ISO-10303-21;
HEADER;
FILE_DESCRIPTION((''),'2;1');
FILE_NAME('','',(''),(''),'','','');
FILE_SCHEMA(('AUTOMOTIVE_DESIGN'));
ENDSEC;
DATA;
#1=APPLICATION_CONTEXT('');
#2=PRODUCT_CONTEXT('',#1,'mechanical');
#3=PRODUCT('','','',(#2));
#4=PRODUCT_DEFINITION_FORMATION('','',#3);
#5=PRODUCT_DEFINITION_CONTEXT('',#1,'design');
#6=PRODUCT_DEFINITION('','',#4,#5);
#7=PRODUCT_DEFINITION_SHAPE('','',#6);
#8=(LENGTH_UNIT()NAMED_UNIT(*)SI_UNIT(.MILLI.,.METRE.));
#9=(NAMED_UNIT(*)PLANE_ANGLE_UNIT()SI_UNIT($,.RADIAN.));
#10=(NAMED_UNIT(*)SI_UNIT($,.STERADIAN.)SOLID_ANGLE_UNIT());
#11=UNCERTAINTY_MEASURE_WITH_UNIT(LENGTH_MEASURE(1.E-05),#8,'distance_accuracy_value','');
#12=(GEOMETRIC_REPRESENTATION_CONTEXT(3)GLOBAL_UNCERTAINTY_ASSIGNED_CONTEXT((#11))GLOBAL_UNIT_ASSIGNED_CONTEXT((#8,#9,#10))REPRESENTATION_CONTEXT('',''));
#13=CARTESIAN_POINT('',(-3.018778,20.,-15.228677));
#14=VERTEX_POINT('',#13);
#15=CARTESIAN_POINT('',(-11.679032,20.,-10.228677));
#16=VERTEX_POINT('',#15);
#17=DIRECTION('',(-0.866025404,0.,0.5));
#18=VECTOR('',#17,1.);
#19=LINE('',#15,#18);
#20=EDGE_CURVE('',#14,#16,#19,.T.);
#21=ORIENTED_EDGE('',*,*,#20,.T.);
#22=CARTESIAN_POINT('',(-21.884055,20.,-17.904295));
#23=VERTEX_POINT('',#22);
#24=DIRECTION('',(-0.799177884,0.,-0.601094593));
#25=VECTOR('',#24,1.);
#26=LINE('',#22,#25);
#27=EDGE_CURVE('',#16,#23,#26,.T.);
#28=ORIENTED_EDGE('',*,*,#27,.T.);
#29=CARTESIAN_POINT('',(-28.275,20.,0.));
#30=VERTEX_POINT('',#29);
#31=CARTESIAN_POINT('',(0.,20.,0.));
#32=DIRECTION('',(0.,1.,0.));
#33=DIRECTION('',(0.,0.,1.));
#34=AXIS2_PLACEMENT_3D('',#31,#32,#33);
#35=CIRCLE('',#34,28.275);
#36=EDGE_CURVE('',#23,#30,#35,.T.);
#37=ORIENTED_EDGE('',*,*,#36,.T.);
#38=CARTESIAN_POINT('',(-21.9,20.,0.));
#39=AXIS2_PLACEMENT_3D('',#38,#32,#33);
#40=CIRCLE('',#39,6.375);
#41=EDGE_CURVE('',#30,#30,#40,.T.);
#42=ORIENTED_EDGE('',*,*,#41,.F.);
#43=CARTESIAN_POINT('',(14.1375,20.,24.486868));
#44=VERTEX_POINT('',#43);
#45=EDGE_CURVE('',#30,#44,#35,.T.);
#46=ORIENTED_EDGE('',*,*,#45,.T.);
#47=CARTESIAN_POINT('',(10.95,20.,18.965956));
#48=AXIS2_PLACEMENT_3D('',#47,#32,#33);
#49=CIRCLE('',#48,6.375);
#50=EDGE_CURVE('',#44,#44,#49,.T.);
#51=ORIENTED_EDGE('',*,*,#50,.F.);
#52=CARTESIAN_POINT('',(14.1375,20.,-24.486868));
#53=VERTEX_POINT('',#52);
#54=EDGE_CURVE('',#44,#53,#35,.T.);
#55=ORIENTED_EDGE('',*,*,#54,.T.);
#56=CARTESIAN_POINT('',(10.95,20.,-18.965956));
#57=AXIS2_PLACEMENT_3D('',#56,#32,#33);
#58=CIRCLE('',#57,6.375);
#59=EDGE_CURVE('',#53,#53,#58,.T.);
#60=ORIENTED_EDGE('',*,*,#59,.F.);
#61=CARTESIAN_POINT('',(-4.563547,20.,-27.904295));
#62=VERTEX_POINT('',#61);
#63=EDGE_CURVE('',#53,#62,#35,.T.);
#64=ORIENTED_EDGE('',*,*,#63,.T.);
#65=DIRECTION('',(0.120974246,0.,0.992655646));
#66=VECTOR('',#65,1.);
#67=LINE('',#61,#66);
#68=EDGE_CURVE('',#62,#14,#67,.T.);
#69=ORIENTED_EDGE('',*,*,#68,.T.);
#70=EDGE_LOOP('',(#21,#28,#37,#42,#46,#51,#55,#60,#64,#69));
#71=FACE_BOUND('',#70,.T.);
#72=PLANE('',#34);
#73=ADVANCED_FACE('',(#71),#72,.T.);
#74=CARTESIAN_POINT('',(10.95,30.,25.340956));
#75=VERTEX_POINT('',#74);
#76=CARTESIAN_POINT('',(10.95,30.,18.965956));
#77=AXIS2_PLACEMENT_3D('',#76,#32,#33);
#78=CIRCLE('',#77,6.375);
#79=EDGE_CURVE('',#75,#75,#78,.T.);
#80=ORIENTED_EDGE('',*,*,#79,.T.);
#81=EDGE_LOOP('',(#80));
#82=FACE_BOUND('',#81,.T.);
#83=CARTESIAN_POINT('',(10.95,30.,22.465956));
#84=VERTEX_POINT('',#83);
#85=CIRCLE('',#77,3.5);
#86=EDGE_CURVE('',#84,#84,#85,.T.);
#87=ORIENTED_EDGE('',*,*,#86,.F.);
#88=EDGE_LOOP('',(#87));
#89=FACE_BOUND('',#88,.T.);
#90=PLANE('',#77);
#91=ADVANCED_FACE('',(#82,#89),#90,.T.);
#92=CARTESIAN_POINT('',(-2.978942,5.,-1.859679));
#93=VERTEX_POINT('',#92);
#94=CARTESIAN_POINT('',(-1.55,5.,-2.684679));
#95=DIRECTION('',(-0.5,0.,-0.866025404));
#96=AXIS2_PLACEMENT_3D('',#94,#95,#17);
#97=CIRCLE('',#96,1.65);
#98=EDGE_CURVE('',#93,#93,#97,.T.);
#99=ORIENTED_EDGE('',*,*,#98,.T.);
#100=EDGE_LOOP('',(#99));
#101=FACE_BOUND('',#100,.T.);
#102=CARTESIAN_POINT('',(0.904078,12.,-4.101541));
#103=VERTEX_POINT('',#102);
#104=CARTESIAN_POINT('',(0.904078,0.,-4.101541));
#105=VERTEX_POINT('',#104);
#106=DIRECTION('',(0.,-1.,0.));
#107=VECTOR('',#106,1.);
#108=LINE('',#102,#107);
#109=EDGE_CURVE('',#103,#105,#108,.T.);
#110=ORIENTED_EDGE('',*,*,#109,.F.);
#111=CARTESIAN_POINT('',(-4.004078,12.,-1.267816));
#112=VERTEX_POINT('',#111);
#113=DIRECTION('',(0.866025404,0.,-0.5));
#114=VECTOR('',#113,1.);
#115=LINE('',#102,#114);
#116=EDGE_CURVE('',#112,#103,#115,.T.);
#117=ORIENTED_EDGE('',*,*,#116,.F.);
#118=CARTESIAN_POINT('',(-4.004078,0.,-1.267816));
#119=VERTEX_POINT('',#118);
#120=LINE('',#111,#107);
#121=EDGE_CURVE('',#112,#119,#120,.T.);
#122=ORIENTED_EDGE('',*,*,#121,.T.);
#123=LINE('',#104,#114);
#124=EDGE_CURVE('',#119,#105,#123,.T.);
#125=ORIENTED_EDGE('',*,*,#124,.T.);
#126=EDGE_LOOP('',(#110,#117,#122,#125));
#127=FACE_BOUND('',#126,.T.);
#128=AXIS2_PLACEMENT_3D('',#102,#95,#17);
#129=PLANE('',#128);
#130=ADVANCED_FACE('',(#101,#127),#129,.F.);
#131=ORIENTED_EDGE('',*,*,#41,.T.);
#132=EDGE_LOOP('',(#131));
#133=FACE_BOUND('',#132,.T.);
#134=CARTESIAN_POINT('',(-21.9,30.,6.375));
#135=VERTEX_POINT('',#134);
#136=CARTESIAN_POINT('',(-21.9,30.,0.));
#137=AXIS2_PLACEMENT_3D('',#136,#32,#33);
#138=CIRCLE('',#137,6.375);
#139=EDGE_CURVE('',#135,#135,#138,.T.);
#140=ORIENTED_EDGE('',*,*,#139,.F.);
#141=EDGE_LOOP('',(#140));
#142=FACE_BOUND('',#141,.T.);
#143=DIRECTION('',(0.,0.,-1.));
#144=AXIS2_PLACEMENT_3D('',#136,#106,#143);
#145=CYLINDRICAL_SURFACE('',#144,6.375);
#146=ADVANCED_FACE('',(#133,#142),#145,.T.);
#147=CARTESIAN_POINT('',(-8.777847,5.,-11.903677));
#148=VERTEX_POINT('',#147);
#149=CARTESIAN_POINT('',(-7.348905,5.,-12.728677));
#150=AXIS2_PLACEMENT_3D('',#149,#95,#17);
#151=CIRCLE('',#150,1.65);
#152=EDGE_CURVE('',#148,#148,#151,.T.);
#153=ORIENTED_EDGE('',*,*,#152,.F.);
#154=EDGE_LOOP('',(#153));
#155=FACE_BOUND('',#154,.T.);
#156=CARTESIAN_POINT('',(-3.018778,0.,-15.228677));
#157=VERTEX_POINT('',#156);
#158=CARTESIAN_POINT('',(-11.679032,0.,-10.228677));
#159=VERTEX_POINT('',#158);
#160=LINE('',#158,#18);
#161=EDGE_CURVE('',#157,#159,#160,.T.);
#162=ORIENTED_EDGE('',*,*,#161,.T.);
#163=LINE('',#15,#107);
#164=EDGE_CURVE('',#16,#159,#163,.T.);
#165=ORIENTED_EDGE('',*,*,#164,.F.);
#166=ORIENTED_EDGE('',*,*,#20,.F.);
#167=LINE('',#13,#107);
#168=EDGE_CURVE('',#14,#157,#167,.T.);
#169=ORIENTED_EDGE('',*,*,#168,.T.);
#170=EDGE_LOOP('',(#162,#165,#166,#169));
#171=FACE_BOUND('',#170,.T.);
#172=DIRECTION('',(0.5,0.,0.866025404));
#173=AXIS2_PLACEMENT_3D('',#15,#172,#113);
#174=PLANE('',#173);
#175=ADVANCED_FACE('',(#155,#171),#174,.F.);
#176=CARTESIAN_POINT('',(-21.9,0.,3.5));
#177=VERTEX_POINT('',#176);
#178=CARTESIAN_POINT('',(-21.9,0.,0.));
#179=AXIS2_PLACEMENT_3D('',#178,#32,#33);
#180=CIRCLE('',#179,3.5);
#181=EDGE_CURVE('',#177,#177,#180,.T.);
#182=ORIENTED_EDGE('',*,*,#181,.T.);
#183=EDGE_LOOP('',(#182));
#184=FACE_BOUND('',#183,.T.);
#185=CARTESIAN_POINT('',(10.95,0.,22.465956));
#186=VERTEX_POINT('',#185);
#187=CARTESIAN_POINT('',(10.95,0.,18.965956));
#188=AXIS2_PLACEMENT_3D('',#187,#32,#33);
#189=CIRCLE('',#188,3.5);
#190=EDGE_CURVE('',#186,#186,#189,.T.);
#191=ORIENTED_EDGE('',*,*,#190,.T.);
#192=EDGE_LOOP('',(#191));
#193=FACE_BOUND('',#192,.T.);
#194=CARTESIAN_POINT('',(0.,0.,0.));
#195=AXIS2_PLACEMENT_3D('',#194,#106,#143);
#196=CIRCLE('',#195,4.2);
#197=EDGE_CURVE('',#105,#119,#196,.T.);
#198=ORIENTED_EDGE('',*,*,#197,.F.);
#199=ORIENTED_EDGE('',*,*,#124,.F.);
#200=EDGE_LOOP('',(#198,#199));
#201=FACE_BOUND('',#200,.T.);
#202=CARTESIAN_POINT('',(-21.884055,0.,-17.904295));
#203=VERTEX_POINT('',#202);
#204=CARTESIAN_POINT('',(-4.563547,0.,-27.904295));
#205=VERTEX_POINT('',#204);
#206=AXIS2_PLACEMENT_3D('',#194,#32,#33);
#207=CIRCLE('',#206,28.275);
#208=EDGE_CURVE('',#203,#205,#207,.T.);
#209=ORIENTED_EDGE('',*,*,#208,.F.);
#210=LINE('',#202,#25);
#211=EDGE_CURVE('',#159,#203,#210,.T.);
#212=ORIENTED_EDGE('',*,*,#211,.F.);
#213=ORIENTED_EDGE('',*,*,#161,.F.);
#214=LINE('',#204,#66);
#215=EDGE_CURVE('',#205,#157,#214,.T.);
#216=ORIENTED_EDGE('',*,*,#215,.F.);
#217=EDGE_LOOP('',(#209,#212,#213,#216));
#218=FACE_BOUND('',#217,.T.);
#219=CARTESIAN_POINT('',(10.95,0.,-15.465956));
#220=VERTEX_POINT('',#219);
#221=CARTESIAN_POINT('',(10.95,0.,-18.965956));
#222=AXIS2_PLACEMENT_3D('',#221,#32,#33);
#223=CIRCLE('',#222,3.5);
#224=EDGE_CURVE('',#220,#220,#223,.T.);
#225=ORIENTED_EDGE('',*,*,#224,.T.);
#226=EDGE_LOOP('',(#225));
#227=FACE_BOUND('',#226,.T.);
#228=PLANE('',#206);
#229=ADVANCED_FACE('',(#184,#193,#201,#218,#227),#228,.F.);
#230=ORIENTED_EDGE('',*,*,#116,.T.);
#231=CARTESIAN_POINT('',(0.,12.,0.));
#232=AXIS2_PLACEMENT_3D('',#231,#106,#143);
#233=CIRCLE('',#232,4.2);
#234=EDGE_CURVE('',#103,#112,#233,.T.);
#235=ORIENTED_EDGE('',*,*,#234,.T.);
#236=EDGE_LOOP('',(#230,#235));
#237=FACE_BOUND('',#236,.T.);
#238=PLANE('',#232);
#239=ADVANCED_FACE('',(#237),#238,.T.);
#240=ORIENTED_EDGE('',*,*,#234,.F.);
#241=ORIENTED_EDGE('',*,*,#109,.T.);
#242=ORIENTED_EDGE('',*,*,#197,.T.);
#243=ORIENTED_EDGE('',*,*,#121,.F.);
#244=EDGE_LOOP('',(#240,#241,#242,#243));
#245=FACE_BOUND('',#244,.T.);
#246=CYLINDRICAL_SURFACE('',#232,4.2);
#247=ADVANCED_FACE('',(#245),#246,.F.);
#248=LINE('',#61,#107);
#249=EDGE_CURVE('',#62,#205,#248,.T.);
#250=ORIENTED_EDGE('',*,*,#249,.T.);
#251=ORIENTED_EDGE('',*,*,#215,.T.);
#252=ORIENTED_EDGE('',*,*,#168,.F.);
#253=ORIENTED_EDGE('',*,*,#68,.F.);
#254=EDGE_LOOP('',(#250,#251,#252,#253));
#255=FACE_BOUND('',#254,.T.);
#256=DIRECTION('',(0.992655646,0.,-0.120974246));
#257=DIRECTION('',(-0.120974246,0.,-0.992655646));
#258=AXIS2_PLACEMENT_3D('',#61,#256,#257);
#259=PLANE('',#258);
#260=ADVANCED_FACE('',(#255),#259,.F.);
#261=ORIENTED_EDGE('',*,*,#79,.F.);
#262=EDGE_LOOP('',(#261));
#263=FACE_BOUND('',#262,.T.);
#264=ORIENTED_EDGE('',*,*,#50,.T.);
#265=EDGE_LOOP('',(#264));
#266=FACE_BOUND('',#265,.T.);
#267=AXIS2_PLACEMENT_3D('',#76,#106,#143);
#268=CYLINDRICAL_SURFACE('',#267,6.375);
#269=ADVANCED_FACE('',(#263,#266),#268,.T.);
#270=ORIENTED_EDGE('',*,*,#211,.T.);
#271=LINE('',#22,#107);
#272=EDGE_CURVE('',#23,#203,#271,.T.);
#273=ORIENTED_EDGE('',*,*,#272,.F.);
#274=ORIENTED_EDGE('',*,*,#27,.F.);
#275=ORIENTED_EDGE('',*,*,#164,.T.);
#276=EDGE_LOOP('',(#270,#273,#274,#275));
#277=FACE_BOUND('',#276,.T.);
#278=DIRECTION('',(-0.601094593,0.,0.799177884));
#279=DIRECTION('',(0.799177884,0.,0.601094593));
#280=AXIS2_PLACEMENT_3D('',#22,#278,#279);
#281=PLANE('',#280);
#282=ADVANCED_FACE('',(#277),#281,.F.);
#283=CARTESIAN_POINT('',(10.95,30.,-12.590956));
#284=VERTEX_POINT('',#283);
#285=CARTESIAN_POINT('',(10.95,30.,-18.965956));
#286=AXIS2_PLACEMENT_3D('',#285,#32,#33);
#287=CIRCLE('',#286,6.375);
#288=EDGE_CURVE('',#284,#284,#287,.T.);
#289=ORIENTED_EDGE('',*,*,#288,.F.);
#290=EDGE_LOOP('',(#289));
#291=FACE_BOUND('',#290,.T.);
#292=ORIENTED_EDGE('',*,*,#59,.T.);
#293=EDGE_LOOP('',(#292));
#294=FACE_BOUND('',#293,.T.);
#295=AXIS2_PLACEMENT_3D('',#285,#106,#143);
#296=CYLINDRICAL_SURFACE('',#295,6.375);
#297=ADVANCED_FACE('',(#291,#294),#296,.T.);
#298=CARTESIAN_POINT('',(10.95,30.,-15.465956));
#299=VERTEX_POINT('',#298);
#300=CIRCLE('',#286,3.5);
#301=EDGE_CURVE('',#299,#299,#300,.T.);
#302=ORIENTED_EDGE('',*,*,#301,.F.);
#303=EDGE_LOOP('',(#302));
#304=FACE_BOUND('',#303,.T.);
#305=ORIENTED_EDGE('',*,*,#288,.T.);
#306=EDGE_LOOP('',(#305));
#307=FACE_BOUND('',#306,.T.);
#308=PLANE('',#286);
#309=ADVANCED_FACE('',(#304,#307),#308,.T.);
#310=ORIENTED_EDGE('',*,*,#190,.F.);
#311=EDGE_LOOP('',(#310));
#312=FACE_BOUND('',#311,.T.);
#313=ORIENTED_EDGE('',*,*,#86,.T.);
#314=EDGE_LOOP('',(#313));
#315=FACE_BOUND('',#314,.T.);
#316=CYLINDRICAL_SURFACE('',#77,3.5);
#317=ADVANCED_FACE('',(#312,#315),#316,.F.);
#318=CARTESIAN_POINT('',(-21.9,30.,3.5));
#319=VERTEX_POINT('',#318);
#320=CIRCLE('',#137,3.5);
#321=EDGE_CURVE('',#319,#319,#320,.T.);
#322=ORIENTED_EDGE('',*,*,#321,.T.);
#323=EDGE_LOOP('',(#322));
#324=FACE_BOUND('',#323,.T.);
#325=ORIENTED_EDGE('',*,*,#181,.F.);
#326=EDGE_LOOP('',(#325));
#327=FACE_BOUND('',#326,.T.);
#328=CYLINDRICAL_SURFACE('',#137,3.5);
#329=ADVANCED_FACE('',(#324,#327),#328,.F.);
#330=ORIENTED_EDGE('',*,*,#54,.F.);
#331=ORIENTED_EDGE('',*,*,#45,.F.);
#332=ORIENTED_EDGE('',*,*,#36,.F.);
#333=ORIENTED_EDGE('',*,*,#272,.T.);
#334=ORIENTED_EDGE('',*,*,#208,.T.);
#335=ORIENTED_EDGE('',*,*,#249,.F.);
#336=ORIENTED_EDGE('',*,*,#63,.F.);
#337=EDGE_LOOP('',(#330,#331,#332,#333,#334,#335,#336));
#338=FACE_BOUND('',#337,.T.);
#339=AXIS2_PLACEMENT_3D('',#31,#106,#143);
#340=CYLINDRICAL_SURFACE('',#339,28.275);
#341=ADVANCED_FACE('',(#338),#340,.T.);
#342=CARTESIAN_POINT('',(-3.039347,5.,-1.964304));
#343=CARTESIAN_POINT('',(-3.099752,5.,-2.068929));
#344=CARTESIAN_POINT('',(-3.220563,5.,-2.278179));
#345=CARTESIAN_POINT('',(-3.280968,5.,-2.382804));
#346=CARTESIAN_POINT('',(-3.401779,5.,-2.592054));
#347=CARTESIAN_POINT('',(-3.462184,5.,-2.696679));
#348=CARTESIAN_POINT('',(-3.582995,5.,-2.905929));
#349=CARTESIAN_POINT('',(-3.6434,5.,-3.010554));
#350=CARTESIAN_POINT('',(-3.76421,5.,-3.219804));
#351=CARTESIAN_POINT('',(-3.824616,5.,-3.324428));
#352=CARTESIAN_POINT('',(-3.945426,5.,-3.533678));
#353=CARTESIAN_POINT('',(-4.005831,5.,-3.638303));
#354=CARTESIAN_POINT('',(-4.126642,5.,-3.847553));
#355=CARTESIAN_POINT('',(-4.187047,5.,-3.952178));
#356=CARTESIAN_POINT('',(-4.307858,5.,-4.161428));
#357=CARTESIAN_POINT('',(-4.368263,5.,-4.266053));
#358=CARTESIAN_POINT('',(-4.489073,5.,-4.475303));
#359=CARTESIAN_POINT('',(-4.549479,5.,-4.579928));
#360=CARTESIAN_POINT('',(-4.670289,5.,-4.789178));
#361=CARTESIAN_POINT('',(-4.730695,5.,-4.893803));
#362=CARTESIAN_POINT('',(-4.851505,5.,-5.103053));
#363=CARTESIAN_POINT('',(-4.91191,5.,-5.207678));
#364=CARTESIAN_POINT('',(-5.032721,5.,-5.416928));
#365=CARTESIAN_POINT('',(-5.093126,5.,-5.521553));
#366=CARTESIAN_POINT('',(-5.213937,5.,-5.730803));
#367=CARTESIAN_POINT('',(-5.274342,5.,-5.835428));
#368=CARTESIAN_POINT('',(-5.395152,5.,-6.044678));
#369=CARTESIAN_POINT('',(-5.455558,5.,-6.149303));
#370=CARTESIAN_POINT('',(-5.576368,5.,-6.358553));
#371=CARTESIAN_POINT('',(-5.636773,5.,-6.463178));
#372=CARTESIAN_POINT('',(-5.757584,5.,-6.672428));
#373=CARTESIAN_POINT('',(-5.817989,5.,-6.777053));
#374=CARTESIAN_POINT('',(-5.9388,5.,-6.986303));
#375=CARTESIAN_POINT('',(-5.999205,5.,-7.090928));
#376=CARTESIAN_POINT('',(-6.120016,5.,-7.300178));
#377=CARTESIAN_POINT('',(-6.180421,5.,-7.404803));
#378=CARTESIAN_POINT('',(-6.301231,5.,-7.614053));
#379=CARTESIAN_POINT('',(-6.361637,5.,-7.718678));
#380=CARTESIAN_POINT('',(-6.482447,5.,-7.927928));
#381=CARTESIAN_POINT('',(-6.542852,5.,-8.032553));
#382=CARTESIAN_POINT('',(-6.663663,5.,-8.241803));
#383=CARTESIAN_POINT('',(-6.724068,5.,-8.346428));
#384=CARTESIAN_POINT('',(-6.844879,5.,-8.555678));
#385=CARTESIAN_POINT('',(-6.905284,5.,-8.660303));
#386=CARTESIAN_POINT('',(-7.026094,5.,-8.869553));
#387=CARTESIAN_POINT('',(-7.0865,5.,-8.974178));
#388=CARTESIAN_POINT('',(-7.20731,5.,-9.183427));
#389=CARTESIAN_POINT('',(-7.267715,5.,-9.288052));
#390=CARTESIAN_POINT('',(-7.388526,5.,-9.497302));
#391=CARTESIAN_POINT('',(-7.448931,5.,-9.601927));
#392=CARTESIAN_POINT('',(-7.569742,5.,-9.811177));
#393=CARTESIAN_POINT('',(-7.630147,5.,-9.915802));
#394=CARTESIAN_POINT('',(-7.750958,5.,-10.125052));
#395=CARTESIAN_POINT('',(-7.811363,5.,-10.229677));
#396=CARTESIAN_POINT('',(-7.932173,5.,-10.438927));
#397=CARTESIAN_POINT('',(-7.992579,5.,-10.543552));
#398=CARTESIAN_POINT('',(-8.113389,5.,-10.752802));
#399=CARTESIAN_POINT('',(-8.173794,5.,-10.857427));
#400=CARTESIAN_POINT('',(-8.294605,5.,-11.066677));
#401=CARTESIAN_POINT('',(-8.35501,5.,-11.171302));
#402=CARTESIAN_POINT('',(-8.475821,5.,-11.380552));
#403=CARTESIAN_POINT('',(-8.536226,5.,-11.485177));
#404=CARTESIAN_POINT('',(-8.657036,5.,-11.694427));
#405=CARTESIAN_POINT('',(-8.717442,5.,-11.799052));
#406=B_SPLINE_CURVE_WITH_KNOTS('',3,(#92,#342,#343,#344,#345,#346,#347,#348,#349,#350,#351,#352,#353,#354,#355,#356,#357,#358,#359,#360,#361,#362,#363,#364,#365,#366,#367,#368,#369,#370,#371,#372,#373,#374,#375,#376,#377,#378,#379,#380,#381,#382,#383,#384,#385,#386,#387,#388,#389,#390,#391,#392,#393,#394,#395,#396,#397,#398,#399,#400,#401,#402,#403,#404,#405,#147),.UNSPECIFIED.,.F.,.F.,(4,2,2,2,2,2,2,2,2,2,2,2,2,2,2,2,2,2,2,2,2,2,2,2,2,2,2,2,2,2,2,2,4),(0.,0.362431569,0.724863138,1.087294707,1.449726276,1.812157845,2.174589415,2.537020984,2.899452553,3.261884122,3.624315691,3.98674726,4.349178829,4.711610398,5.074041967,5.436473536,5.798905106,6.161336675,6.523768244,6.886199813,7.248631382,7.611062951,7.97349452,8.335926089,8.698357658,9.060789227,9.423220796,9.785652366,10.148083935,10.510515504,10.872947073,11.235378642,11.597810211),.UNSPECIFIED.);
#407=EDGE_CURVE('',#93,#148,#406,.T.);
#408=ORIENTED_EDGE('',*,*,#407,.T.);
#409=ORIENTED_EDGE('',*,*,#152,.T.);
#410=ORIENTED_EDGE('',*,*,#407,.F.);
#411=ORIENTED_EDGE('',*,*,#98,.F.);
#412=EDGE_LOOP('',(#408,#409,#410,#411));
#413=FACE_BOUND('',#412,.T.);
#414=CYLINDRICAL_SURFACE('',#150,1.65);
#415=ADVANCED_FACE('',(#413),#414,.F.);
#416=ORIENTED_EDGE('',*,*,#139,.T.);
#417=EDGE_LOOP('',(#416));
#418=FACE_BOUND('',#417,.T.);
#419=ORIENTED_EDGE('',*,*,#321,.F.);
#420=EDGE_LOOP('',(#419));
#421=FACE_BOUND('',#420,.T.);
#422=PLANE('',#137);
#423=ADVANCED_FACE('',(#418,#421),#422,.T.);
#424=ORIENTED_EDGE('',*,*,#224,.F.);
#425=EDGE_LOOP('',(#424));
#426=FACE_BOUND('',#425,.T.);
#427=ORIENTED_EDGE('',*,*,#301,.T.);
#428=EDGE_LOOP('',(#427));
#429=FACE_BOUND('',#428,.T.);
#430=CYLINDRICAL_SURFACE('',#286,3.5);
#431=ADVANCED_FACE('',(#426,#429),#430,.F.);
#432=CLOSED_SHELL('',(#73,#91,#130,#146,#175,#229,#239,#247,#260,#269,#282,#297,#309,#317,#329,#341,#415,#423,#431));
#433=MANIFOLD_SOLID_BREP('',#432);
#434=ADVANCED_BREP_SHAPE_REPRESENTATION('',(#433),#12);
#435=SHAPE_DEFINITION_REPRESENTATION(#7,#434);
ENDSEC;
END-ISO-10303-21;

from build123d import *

# Parameters (mm, degrees)
BOSS_EXTRUDE1_DEPTH  = 20
SKETCH4_R            = 6.375
BOSS_EXTRUDE2_DEPTH  = 10
CUT_EXTRUDE1_DEPTH   = 12
D_GAGEMENT_M1_61_D   = 7
D_GAGEMENT_M21_D     = 3.3
D_GAGEMENT_M21_DEPTH = 11.597810211


with BuildPart() as part:
    # Sketch3 → Boss-Extrude1 (new body)
    with BuildSketch(Plane(origin=(0, 0, 0), x_dir=(1, 0, 0), z_dir=(0, 1, 0))):
        with BuildLine():
            Line((-21.884054787, 17.904294766), (-11.679032124, 10.228677023))
            Line((-11.679032124, 10.228677023), (-3.018778087, 15.228677023))
            Line((-3.018778087, 15.228677023), (-4.563546711, 27.904294766))
            ThreePointArc((-4.563546711, 27.904294766), (14.1375, -24.486868292), (-21.884054787, 17.904294766))
        make_face()
    extrude(amount=BOSS_EXTRUDE1_DEPTH)

    # Sketch4 → Boss-Extrude2 (add)
    with BuildSketch(Plane(origin=(0, 20, 0), x_dir=(1, 0, 0), z_dir=(0, 1, 0))):
        with Locations(Location((-21.9, 0, 0), (0, 0, 179.999635348))):
            Circle(SKETCH4_R)
        with Locations(Location((10.95, 18.965956343, 0), (0, 0, 59.999635366))):
            Circle(SKETCH4_R)
        with Locations(Location((10.95, -18.965956343, 0), (0, 0, 299.999635366))):
            Circle(SKETCH4_R)
    extrude(amount=BOSS_EXTRUDE2_DEPTH)

    # Sketch5 → Cut-Extrude1 (cut)
    with BuildSketch(Plane.XZ):
        with BuildLine():
            Line((0.904078238, -4.101541483), (-4.004078238, -1.26781602))
            ThreePointArc((-4.004078238, -1.26781602), (2.1, 3.637306696), (0.904078238, -4.101541483))
        make_face()
    extrude(amount=-CUT_EXTRUDE1_DEPTH, mode=Mode.SUBTRACT)

    # Dégagement M1.61 (through all)
    with Locations(Plane(origin=(0, 30, 0), x_dir=(1, 0, 0), z_dir=(0, 1, 0))):
        with Locations((10.95, 18.965956343), (10.95, -18.965956343), (-21.9, 0)):
            Hole(D_GAGEMENT_M1_61_D / 2)

    # Dégagement M21
    with Locations(Plane(origin=(-7.348905106, 0, -12.728677023), x_dir=(-0.8660254037844386, 0, 0.5000000000000003), z_dir=(-0.5000000000000003, 0, -0.8660254037844386))):
        with Locations((0, 5)):
            Hole(D_GAGEMENT_M21_D / 2, depth=D_GAGEMENT_M21_DEPTH)


solid = part.part
